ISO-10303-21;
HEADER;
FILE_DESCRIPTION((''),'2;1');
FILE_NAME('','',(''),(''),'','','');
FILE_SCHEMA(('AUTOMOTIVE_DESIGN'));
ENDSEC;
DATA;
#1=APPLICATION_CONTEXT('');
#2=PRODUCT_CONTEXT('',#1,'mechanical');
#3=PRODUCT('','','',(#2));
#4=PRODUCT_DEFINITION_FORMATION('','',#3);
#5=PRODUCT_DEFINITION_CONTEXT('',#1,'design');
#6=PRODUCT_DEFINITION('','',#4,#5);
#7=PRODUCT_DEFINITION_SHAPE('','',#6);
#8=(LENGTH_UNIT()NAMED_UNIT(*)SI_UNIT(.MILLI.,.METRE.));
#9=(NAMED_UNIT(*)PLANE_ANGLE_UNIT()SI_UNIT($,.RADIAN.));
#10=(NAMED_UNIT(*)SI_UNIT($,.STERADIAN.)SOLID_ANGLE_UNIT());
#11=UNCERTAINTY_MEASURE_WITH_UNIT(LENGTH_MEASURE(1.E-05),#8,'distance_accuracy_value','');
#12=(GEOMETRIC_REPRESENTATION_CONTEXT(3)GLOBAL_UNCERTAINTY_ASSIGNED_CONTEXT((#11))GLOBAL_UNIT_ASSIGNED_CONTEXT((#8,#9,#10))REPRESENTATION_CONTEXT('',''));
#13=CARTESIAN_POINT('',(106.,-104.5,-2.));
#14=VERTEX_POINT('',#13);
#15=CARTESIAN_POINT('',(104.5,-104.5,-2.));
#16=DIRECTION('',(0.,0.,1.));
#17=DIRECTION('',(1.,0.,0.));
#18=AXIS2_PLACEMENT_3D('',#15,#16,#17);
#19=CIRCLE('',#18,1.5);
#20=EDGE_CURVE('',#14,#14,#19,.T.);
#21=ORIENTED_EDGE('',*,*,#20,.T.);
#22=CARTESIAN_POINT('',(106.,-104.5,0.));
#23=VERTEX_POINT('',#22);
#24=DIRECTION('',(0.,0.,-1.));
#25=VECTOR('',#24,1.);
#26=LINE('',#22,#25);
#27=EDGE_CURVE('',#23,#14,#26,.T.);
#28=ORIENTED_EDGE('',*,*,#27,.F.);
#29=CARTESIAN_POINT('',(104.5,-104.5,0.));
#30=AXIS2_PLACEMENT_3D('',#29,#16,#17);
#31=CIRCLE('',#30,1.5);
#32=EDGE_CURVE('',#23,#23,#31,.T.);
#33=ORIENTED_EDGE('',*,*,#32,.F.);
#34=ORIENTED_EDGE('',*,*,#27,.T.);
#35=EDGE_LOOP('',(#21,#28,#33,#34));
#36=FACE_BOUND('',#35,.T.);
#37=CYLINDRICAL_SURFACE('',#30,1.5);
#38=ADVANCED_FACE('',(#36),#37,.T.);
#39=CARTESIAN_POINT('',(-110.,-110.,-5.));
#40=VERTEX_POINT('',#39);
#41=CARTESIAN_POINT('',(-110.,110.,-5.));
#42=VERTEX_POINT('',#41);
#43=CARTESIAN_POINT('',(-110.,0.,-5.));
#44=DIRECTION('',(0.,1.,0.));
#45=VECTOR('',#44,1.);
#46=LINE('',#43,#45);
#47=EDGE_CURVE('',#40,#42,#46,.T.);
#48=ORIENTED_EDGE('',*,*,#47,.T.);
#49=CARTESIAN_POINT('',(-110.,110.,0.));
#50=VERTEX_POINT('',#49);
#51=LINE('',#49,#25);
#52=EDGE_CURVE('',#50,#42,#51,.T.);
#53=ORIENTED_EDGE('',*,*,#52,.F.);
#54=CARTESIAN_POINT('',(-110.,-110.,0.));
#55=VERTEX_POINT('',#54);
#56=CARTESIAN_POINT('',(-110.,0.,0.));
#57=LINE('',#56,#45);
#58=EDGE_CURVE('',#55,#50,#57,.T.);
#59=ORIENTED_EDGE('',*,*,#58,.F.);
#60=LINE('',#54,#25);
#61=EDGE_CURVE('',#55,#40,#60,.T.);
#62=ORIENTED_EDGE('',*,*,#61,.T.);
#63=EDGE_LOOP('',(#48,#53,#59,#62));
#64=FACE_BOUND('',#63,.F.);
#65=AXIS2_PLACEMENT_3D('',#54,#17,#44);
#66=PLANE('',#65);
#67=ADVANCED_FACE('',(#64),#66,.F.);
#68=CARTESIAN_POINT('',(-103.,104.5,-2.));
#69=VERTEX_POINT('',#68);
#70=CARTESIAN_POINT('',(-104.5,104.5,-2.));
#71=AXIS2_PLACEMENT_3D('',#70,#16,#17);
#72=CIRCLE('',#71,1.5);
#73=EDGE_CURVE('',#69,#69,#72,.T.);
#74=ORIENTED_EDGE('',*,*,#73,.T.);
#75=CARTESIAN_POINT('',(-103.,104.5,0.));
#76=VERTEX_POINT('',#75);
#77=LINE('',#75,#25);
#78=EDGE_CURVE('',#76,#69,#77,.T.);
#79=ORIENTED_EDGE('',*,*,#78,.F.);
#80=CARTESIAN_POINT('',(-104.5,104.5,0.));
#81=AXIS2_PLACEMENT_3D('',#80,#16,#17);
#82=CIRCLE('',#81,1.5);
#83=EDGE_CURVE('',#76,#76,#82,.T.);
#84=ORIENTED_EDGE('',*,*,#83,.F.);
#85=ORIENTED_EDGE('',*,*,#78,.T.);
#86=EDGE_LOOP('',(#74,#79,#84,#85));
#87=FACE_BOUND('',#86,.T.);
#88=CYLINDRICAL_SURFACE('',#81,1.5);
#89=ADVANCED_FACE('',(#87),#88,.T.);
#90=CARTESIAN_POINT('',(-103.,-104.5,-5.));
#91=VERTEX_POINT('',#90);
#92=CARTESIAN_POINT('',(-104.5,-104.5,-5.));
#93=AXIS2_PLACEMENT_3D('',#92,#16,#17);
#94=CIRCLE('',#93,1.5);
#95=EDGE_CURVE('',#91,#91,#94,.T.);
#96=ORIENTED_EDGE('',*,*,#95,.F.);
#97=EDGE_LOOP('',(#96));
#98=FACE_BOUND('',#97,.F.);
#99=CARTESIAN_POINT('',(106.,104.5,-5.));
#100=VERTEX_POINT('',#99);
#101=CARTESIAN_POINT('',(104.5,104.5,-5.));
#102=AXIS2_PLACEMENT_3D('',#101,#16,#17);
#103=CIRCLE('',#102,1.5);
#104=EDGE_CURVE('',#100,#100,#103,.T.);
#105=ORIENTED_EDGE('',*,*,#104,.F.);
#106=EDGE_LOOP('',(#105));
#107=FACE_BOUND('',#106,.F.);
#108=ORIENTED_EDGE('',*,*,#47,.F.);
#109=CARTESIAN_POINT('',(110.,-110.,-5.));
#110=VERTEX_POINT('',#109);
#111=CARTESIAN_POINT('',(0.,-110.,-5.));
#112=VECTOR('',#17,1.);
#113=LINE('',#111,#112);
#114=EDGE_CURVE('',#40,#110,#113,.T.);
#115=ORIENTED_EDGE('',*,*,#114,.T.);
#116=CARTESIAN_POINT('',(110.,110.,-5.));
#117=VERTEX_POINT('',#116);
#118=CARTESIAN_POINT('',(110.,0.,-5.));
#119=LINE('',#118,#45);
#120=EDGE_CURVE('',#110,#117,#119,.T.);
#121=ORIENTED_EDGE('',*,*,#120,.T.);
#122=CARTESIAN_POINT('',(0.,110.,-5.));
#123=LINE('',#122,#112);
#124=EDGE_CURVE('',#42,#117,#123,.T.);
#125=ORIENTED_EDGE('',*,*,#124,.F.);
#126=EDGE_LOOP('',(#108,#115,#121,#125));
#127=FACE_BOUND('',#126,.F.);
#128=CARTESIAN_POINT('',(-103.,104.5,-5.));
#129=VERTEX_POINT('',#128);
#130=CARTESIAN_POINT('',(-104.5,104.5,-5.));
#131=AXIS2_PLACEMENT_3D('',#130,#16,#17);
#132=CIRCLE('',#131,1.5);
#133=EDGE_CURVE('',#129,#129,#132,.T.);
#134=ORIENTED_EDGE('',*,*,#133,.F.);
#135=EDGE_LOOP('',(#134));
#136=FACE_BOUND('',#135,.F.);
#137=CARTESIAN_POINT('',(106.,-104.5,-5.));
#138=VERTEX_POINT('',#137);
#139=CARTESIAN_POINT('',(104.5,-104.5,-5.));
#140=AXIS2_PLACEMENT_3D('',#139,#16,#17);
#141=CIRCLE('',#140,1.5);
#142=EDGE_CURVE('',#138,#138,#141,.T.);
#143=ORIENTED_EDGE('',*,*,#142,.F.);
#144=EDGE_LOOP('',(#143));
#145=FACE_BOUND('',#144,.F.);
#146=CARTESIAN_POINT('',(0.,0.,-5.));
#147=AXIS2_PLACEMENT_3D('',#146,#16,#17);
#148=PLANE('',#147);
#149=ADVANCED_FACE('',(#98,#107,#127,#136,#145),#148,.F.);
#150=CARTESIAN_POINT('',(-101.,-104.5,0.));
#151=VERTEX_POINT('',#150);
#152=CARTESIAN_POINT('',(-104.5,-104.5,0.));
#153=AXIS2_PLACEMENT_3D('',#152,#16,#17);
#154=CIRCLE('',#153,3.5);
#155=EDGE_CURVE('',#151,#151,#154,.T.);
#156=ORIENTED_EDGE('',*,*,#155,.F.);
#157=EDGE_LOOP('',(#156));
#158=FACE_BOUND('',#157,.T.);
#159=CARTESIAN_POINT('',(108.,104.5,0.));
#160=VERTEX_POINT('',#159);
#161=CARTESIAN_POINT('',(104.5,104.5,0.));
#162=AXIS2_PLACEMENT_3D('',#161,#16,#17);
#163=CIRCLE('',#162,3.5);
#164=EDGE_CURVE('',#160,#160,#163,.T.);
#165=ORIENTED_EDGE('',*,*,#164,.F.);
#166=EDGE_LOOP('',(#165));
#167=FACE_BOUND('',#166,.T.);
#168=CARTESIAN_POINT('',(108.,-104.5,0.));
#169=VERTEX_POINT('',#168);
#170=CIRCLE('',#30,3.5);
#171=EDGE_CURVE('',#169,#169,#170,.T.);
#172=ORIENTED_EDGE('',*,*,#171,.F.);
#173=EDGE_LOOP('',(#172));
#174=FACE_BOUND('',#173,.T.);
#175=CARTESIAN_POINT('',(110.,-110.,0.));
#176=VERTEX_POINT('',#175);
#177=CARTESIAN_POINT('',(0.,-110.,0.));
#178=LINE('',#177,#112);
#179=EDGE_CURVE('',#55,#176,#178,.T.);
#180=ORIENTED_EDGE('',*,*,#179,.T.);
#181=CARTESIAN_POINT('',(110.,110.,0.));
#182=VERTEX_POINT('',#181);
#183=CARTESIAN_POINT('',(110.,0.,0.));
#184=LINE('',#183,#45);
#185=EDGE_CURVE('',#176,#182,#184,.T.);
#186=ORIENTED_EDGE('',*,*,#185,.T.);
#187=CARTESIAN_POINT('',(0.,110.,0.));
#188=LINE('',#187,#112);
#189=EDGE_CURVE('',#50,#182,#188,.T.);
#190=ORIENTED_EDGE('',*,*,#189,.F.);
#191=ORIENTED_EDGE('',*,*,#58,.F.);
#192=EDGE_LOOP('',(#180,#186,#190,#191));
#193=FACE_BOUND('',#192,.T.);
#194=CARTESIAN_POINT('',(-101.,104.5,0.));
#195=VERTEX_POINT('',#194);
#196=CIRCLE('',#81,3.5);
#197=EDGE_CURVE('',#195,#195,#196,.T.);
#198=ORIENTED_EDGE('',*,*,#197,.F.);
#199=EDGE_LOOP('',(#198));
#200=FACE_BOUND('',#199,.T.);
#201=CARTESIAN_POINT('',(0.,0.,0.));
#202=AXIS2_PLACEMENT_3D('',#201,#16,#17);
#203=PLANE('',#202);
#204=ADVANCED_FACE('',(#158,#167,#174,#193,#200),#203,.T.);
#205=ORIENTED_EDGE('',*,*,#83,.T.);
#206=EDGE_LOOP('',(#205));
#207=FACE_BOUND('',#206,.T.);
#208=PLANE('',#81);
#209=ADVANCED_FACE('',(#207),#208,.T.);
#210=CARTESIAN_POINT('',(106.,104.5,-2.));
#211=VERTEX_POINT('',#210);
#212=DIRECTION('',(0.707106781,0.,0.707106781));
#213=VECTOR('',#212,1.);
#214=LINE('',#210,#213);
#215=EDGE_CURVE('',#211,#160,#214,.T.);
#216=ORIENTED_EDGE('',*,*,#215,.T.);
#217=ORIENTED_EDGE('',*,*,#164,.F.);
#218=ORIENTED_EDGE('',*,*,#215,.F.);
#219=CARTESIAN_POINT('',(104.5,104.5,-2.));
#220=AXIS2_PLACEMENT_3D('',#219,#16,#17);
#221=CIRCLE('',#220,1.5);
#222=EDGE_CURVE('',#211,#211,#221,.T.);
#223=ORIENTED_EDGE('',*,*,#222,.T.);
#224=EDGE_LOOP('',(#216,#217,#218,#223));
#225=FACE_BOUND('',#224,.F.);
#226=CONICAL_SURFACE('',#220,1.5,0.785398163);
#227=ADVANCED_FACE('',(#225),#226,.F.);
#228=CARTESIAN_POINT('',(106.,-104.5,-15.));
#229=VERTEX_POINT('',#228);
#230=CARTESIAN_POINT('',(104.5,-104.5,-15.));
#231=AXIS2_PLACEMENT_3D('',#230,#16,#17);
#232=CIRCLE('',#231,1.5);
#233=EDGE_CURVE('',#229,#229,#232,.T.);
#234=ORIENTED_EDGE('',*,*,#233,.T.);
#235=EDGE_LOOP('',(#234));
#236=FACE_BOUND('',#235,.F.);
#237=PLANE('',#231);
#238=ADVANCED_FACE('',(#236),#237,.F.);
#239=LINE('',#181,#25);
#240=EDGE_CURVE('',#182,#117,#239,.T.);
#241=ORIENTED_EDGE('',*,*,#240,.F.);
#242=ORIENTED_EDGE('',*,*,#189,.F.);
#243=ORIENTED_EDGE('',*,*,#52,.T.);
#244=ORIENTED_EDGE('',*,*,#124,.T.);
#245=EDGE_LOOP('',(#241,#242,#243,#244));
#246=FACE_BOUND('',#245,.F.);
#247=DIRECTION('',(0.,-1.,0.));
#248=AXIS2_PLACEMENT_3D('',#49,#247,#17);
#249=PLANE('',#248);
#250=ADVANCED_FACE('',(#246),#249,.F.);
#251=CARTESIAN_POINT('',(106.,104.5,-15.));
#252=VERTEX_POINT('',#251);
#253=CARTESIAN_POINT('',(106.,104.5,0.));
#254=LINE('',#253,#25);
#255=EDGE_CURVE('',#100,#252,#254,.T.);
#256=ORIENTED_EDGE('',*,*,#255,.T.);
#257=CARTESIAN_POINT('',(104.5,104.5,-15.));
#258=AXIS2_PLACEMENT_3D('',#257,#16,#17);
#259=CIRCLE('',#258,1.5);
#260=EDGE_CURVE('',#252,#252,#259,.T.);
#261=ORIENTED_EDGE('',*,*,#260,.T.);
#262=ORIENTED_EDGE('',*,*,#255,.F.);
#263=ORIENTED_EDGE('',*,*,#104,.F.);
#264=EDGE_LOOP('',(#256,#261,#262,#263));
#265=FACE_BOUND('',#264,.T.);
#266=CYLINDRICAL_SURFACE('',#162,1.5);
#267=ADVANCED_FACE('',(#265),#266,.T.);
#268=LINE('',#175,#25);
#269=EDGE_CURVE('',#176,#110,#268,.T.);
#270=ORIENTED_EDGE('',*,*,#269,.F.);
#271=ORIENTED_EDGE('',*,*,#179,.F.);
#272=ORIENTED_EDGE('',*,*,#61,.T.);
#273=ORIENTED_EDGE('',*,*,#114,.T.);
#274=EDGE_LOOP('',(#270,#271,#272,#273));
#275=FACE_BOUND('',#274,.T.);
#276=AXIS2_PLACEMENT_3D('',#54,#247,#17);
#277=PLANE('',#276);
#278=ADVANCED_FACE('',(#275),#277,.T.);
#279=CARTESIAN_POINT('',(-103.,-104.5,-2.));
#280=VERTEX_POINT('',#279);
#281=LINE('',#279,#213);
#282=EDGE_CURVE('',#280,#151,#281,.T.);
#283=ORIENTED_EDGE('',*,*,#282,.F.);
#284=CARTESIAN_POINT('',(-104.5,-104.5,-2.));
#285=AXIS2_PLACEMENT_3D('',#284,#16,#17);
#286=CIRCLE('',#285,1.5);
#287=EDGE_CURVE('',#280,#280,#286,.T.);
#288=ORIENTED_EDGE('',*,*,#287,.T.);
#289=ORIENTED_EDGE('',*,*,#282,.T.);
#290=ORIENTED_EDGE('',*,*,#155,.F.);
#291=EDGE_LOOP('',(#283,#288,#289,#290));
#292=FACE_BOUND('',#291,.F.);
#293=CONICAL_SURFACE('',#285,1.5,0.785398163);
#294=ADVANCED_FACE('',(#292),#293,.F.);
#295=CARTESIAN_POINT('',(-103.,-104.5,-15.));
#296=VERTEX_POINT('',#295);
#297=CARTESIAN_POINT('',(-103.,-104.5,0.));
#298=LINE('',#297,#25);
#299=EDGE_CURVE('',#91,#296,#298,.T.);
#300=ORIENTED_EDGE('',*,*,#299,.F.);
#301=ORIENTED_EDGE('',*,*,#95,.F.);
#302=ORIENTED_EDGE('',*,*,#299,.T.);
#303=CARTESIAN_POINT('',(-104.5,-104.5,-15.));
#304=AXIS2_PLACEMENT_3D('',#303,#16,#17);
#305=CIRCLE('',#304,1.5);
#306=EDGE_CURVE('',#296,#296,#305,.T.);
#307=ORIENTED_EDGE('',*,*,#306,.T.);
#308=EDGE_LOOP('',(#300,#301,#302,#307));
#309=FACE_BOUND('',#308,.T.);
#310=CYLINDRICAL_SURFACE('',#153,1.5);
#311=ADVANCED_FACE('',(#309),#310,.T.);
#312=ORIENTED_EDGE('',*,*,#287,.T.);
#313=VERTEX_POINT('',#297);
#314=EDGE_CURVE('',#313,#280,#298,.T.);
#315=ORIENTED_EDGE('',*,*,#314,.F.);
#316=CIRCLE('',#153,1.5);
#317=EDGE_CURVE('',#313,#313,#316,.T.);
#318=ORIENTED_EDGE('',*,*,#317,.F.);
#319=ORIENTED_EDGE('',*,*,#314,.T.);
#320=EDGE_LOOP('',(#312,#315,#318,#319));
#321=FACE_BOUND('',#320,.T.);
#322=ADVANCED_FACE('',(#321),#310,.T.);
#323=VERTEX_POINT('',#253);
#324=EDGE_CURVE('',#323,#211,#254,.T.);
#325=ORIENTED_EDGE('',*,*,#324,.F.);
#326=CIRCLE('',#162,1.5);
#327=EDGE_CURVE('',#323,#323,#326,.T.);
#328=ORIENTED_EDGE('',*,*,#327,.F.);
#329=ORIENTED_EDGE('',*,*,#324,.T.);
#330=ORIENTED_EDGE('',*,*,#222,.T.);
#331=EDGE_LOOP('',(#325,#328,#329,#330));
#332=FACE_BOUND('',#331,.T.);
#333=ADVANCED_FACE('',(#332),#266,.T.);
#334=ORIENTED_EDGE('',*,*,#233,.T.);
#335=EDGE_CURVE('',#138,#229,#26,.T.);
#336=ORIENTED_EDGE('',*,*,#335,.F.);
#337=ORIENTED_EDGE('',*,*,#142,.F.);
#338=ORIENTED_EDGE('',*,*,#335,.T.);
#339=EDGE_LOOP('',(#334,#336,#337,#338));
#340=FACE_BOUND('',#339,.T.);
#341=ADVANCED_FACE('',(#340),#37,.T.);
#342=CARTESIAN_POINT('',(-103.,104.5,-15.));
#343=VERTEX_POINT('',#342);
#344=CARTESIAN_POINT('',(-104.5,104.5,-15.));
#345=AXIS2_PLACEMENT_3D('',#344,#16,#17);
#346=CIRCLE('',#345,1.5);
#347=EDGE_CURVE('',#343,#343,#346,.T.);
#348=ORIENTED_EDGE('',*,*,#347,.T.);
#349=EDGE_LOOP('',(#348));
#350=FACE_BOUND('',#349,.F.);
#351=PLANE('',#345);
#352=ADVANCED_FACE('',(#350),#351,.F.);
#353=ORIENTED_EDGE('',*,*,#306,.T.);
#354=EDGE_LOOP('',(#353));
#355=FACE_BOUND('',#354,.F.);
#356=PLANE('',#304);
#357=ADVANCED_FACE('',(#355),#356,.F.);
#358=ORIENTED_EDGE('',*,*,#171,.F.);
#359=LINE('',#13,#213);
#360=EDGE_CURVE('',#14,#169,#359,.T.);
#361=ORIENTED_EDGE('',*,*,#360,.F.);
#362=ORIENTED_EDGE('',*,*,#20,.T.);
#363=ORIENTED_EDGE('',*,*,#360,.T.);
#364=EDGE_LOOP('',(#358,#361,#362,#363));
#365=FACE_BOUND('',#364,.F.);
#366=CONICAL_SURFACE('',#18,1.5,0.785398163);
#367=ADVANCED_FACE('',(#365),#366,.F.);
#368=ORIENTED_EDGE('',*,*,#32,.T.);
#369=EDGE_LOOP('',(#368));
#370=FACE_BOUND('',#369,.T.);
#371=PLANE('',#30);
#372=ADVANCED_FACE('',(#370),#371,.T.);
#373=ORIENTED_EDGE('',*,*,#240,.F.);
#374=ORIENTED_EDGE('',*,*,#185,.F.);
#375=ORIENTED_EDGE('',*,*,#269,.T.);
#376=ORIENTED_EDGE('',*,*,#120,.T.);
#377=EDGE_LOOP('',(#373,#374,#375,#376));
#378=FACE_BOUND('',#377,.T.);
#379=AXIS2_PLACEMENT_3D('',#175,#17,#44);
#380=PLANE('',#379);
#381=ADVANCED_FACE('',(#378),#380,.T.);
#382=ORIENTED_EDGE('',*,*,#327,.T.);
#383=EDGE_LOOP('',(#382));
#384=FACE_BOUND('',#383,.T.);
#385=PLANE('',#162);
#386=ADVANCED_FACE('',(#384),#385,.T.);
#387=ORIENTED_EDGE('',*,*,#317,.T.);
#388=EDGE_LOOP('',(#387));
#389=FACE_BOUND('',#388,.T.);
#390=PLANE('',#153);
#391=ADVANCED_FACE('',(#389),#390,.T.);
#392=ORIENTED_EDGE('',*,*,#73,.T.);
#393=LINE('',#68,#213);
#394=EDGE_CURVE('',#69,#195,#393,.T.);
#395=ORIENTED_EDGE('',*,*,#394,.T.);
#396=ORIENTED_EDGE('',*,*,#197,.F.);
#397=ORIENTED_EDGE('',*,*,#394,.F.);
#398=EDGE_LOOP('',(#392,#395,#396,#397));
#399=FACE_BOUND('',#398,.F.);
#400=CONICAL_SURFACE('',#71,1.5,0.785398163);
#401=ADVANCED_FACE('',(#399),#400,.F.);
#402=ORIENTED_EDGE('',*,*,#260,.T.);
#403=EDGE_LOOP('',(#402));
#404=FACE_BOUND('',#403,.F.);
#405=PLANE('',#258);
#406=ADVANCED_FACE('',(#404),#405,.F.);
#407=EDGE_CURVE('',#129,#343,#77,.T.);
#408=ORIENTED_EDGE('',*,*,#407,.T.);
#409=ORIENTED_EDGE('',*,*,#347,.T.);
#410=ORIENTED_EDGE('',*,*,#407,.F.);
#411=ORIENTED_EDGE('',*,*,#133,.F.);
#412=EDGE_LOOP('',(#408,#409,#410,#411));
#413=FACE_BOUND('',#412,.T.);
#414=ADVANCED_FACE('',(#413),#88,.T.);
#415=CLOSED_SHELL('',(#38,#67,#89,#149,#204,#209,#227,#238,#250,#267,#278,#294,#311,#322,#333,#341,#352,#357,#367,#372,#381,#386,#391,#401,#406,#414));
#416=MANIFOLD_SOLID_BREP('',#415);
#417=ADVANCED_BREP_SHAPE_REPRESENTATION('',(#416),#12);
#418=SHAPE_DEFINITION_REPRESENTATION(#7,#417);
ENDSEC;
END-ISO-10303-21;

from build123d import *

# Parameters (mm, degrees)
F0_W     = 220
F0_H     = 220
F0_R     = 1.5
F1_DEPTH = 5
F2_SIZE  = 2
F3_DEPTH = 15


with BuildPart() as f1:
    # F0 (on Top) → F1 (new body)
    with BuildSketch(Plane.XY):
        Rectangle(F0_W, F0_H)
        with Locations((-104.5, -104.5)):
            Circle(F0_R, mode=Mode.SUBTRACT)
        with Locations((104.5, -104.5)):
            Circle(F0_R, mode=Mode.SUBTRACT)
        with Locations((-104.5, 104.5)):
            Circle(F0_R, mode=Mode.SUBTRACT)
        with Locations((104.5, 104.5)):
            Circle(F0_R, mode=Mode.SUBTRACT)
    extrude(amount=-F1_DEPTH)

    # F2
    f2_edges = [f1.edges().sort_by_distance(p)[0] for p in [
        (-106, 104.5, 0),
        (103, 104.5, 0),
        (103, -104.5, 0),
        (-106, -104.5, 0),
    ]]
    chamfer(f2_edges, length=F2_SIZE)

    # F0 (on Top) → F3 (join)
    with BuildSketch(Plane.XY):
        with Locations((-104.5, 104.5)):
            Circle(F0_R)
        with Locations((-104.5, -104.5)):
            Circle(F0_R)
        with Locations((104.5, -104.5)):
            Circle(F0_R)
        with Locations((104.5, 104.5)):
            Circle(F0_R)
    extrude(amount=-F3_DEPTH)


solid = f1.part
